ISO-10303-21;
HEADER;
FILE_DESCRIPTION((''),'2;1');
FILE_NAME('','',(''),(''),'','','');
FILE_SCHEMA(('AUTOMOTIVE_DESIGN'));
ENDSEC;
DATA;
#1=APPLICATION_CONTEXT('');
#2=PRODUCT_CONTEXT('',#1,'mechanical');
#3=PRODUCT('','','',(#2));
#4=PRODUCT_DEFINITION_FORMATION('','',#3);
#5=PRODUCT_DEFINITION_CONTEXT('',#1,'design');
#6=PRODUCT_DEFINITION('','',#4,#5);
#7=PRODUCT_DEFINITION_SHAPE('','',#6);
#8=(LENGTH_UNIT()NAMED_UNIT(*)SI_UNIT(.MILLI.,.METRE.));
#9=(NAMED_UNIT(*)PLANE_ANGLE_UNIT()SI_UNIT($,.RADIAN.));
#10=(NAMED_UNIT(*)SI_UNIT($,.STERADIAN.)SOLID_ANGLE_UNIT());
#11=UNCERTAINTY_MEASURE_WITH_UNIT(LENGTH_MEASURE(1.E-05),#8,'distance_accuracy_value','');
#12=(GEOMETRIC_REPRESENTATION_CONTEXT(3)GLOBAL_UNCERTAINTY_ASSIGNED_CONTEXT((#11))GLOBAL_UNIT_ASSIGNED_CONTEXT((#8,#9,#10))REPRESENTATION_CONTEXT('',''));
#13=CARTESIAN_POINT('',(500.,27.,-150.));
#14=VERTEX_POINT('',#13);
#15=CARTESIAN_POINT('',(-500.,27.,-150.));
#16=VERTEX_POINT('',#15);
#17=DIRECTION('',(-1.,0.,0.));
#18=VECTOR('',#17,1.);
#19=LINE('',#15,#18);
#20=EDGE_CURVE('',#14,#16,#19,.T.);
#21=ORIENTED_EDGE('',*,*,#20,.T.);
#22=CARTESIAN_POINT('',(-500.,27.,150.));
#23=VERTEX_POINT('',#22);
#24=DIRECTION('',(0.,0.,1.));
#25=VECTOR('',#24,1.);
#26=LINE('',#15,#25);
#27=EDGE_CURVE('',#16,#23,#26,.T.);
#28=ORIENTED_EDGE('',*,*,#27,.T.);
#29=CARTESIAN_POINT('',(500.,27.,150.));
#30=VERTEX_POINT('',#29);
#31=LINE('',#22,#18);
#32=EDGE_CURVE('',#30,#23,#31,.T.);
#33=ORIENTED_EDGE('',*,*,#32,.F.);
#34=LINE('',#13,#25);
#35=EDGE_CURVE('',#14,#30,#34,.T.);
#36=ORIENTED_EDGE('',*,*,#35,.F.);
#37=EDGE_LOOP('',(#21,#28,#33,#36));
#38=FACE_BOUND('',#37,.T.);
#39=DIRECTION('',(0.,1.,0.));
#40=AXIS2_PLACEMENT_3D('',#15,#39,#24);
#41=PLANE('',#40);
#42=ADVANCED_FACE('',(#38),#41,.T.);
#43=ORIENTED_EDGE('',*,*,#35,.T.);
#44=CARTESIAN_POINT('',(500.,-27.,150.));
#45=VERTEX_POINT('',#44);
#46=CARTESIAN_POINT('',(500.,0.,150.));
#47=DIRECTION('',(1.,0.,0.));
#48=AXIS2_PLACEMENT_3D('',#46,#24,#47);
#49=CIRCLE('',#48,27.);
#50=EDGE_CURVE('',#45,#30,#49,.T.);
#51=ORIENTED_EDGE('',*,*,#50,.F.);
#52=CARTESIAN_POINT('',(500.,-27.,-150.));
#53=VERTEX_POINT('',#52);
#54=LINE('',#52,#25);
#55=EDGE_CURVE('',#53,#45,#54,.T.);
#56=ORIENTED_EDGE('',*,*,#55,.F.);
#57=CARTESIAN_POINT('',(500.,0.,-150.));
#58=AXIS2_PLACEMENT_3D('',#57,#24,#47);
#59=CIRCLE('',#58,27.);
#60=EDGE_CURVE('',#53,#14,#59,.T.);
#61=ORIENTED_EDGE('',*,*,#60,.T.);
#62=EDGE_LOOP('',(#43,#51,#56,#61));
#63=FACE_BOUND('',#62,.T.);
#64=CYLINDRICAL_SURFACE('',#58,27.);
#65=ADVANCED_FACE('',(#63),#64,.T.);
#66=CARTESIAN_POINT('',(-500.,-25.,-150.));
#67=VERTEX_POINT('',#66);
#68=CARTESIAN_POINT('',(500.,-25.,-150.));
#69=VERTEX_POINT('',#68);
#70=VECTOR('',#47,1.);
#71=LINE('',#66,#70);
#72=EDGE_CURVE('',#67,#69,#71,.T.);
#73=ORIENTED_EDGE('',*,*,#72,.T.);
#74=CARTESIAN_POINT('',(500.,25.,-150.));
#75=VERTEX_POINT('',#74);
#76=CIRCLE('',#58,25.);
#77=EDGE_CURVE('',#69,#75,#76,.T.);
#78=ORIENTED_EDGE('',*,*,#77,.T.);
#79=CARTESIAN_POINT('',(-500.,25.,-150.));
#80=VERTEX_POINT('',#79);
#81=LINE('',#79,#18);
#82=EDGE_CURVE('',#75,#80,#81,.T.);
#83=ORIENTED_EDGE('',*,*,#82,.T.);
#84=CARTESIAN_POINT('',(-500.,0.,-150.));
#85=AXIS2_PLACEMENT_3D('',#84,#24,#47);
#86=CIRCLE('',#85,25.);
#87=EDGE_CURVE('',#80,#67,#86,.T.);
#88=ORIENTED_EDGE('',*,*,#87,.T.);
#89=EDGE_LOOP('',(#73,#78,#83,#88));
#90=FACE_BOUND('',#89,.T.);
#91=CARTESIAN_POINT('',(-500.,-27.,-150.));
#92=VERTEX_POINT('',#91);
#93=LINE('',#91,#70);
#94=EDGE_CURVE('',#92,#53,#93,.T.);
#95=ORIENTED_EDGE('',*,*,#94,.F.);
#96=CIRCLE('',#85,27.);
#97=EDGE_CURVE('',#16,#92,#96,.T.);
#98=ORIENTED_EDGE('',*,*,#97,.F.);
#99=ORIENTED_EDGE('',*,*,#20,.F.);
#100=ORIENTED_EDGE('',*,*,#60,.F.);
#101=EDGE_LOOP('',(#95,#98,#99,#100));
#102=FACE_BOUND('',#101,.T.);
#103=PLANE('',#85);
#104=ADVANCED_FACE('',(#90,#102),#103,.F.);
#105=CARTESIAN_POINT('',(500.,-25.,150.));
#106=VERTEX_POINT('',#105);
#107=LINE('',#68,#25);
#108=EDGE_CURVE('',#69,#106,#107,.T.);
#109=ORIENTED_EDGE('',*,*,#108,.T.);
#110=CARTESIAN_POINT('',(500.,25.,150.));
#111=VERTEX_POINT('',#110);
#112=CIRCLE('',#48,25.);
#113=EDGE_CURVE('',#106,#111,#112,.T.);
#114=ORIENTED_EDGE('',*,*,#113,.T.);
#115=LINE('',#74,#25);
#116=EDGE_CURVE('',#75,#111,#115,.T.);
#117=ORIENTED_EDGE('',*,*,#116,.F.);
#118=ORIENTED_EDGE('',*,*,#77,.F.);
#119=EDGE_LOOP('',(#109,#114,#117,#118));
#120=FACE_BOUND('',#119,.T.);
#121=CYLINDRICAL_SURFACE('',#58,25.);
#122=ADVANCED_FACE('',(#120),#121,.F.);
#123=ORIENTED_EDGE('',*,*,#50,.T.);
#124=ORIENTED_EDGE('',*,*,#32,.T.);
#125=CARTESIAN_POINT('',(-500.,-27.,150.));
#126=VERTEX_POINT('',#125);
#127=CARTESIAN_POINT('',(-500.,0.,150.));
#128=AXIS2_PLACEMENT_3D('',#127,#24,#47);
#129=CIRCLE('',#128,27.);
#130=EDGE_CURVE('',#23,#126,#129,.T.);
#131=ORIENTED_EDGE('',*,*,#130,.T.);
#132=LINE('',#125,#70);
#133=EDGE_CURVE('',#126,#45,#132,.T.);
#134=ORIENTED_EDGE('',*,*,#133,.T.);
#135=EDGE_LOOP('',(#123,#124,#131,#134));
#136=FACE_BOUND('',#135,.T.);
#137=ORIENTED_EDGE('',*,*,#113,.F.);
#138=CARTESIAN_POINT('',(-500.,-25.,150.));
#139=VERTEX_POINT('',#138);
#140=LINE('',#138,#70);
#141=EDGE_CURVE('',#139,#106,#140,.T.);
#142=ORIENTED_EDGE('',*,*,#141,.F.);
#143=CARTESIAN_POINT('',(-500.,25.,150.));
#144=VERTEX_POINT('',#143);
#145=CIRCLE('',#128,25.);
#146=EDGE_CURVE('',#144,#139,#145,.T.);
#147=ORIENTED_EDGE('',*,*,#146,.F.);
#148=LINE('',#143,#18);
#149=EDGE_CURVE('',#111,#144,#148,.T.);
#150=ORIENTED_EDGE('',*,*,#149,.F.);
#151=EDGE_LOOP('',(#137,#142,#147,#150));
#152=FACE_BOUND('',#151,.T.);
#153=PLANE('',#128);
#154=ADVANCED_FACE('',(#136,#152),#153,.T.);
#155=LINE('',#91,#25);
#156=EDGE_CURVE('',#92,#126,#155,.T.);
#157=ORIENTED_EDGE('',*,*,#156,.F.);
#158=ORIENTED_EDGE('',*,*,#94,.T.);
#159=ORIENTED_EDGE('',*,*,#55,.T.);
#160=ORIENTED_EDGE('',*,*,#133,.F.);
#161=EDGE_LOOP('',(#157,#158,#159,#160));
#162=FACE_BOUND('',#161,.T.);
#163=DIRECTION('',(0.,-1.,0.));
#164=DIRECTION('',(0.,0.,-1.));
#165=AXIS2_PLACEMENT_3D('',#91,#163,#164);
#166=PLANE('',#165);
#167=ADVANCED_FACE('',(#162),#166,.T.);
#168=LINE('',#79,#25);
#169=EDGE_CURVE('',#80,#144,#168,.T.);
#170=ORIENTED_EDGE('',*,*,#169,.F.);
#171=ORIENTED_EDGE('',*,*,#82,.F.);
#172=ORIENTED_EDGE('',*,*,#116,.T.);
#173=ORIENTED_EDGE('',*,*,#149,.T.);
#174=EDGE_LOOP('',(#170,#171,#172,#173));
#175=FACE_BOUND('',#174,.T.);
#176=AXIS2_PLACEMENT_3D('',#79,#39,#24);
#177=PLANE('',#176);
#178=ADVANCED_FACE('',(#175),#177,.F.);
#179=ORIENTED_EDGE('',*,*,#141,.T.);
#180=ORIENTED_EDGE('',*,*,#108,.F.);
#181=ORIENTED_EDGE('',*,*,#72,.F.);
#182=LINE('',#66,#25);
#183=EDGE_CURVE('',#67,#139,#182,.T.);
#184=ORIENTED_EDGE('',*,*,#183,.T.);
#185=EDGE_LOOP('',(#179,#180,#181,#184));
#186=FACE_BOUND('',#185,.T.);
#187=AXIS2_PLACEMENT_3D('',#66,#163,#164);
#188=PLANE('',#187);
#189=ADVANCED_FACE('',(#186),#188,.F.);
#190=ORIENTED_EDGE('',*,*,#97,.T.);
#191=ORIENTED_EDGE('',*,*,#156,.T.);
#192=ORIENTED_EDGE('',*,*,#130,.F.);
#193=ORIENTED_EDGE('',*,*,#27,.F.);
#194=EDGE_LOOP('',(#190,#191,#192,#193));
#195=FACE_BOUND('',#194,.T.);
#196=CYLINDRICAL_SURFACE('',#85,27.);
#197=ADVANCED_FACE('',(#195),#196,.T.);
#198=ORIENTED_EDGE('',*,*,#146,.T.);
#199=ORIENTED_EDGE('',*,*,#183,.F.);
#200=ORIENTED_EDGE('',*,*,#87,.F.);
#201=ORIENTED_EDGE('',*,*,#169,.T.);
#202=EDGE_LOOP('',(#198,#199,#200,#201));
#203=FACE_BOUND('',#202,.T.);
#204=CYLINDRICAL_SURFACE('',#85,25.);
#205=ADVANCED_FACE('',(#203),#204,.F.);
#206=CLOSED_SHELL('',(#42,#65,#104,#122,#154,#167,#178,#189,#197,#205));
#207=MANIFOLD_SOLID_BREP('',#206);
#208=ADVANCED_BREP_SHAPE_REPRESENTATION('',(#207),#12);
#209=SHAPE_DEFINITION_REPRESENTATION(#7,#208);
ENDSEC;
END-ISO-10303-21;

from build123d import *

# Parameters (mm, degrees)
EXTRUDE1_DEPTH      = 150
EXTRUDE1_DEPTH_BACK = 150


with BuildPart() as part:
    # Sketch1 → Extrude1 (new body, two sides)
    with BuildSketch(Plane.XY) as extrude1_sk:
        with BuildLine():
            Line((-500, 27), (500, 27))
            ThreePointArc((500, 27), (527, 0), (500, -27))
            Line((500, -27), (-500, -27))
            ThreePointArc((-500, -27), (-527, 0), (-500, 27))
        make_face()
        with BuildLine():
            Line((-500, 25), (500, 25))
            ThreePointArc((500, 25), (525, 0), (500, -25))
            Line((500, -25), (-500, -25))
            ThreePointArc((-500, -25), (-525, 0), (-500, 25))
        make_face(mode=Mode.SUBTRACT)
    extrude(amount=EXTRUDE1_DEPTH)
    extrude(extrude1_sk.sketch, amount=-EXTRUDE1_DEPTH_BACK)


solid = part.part
